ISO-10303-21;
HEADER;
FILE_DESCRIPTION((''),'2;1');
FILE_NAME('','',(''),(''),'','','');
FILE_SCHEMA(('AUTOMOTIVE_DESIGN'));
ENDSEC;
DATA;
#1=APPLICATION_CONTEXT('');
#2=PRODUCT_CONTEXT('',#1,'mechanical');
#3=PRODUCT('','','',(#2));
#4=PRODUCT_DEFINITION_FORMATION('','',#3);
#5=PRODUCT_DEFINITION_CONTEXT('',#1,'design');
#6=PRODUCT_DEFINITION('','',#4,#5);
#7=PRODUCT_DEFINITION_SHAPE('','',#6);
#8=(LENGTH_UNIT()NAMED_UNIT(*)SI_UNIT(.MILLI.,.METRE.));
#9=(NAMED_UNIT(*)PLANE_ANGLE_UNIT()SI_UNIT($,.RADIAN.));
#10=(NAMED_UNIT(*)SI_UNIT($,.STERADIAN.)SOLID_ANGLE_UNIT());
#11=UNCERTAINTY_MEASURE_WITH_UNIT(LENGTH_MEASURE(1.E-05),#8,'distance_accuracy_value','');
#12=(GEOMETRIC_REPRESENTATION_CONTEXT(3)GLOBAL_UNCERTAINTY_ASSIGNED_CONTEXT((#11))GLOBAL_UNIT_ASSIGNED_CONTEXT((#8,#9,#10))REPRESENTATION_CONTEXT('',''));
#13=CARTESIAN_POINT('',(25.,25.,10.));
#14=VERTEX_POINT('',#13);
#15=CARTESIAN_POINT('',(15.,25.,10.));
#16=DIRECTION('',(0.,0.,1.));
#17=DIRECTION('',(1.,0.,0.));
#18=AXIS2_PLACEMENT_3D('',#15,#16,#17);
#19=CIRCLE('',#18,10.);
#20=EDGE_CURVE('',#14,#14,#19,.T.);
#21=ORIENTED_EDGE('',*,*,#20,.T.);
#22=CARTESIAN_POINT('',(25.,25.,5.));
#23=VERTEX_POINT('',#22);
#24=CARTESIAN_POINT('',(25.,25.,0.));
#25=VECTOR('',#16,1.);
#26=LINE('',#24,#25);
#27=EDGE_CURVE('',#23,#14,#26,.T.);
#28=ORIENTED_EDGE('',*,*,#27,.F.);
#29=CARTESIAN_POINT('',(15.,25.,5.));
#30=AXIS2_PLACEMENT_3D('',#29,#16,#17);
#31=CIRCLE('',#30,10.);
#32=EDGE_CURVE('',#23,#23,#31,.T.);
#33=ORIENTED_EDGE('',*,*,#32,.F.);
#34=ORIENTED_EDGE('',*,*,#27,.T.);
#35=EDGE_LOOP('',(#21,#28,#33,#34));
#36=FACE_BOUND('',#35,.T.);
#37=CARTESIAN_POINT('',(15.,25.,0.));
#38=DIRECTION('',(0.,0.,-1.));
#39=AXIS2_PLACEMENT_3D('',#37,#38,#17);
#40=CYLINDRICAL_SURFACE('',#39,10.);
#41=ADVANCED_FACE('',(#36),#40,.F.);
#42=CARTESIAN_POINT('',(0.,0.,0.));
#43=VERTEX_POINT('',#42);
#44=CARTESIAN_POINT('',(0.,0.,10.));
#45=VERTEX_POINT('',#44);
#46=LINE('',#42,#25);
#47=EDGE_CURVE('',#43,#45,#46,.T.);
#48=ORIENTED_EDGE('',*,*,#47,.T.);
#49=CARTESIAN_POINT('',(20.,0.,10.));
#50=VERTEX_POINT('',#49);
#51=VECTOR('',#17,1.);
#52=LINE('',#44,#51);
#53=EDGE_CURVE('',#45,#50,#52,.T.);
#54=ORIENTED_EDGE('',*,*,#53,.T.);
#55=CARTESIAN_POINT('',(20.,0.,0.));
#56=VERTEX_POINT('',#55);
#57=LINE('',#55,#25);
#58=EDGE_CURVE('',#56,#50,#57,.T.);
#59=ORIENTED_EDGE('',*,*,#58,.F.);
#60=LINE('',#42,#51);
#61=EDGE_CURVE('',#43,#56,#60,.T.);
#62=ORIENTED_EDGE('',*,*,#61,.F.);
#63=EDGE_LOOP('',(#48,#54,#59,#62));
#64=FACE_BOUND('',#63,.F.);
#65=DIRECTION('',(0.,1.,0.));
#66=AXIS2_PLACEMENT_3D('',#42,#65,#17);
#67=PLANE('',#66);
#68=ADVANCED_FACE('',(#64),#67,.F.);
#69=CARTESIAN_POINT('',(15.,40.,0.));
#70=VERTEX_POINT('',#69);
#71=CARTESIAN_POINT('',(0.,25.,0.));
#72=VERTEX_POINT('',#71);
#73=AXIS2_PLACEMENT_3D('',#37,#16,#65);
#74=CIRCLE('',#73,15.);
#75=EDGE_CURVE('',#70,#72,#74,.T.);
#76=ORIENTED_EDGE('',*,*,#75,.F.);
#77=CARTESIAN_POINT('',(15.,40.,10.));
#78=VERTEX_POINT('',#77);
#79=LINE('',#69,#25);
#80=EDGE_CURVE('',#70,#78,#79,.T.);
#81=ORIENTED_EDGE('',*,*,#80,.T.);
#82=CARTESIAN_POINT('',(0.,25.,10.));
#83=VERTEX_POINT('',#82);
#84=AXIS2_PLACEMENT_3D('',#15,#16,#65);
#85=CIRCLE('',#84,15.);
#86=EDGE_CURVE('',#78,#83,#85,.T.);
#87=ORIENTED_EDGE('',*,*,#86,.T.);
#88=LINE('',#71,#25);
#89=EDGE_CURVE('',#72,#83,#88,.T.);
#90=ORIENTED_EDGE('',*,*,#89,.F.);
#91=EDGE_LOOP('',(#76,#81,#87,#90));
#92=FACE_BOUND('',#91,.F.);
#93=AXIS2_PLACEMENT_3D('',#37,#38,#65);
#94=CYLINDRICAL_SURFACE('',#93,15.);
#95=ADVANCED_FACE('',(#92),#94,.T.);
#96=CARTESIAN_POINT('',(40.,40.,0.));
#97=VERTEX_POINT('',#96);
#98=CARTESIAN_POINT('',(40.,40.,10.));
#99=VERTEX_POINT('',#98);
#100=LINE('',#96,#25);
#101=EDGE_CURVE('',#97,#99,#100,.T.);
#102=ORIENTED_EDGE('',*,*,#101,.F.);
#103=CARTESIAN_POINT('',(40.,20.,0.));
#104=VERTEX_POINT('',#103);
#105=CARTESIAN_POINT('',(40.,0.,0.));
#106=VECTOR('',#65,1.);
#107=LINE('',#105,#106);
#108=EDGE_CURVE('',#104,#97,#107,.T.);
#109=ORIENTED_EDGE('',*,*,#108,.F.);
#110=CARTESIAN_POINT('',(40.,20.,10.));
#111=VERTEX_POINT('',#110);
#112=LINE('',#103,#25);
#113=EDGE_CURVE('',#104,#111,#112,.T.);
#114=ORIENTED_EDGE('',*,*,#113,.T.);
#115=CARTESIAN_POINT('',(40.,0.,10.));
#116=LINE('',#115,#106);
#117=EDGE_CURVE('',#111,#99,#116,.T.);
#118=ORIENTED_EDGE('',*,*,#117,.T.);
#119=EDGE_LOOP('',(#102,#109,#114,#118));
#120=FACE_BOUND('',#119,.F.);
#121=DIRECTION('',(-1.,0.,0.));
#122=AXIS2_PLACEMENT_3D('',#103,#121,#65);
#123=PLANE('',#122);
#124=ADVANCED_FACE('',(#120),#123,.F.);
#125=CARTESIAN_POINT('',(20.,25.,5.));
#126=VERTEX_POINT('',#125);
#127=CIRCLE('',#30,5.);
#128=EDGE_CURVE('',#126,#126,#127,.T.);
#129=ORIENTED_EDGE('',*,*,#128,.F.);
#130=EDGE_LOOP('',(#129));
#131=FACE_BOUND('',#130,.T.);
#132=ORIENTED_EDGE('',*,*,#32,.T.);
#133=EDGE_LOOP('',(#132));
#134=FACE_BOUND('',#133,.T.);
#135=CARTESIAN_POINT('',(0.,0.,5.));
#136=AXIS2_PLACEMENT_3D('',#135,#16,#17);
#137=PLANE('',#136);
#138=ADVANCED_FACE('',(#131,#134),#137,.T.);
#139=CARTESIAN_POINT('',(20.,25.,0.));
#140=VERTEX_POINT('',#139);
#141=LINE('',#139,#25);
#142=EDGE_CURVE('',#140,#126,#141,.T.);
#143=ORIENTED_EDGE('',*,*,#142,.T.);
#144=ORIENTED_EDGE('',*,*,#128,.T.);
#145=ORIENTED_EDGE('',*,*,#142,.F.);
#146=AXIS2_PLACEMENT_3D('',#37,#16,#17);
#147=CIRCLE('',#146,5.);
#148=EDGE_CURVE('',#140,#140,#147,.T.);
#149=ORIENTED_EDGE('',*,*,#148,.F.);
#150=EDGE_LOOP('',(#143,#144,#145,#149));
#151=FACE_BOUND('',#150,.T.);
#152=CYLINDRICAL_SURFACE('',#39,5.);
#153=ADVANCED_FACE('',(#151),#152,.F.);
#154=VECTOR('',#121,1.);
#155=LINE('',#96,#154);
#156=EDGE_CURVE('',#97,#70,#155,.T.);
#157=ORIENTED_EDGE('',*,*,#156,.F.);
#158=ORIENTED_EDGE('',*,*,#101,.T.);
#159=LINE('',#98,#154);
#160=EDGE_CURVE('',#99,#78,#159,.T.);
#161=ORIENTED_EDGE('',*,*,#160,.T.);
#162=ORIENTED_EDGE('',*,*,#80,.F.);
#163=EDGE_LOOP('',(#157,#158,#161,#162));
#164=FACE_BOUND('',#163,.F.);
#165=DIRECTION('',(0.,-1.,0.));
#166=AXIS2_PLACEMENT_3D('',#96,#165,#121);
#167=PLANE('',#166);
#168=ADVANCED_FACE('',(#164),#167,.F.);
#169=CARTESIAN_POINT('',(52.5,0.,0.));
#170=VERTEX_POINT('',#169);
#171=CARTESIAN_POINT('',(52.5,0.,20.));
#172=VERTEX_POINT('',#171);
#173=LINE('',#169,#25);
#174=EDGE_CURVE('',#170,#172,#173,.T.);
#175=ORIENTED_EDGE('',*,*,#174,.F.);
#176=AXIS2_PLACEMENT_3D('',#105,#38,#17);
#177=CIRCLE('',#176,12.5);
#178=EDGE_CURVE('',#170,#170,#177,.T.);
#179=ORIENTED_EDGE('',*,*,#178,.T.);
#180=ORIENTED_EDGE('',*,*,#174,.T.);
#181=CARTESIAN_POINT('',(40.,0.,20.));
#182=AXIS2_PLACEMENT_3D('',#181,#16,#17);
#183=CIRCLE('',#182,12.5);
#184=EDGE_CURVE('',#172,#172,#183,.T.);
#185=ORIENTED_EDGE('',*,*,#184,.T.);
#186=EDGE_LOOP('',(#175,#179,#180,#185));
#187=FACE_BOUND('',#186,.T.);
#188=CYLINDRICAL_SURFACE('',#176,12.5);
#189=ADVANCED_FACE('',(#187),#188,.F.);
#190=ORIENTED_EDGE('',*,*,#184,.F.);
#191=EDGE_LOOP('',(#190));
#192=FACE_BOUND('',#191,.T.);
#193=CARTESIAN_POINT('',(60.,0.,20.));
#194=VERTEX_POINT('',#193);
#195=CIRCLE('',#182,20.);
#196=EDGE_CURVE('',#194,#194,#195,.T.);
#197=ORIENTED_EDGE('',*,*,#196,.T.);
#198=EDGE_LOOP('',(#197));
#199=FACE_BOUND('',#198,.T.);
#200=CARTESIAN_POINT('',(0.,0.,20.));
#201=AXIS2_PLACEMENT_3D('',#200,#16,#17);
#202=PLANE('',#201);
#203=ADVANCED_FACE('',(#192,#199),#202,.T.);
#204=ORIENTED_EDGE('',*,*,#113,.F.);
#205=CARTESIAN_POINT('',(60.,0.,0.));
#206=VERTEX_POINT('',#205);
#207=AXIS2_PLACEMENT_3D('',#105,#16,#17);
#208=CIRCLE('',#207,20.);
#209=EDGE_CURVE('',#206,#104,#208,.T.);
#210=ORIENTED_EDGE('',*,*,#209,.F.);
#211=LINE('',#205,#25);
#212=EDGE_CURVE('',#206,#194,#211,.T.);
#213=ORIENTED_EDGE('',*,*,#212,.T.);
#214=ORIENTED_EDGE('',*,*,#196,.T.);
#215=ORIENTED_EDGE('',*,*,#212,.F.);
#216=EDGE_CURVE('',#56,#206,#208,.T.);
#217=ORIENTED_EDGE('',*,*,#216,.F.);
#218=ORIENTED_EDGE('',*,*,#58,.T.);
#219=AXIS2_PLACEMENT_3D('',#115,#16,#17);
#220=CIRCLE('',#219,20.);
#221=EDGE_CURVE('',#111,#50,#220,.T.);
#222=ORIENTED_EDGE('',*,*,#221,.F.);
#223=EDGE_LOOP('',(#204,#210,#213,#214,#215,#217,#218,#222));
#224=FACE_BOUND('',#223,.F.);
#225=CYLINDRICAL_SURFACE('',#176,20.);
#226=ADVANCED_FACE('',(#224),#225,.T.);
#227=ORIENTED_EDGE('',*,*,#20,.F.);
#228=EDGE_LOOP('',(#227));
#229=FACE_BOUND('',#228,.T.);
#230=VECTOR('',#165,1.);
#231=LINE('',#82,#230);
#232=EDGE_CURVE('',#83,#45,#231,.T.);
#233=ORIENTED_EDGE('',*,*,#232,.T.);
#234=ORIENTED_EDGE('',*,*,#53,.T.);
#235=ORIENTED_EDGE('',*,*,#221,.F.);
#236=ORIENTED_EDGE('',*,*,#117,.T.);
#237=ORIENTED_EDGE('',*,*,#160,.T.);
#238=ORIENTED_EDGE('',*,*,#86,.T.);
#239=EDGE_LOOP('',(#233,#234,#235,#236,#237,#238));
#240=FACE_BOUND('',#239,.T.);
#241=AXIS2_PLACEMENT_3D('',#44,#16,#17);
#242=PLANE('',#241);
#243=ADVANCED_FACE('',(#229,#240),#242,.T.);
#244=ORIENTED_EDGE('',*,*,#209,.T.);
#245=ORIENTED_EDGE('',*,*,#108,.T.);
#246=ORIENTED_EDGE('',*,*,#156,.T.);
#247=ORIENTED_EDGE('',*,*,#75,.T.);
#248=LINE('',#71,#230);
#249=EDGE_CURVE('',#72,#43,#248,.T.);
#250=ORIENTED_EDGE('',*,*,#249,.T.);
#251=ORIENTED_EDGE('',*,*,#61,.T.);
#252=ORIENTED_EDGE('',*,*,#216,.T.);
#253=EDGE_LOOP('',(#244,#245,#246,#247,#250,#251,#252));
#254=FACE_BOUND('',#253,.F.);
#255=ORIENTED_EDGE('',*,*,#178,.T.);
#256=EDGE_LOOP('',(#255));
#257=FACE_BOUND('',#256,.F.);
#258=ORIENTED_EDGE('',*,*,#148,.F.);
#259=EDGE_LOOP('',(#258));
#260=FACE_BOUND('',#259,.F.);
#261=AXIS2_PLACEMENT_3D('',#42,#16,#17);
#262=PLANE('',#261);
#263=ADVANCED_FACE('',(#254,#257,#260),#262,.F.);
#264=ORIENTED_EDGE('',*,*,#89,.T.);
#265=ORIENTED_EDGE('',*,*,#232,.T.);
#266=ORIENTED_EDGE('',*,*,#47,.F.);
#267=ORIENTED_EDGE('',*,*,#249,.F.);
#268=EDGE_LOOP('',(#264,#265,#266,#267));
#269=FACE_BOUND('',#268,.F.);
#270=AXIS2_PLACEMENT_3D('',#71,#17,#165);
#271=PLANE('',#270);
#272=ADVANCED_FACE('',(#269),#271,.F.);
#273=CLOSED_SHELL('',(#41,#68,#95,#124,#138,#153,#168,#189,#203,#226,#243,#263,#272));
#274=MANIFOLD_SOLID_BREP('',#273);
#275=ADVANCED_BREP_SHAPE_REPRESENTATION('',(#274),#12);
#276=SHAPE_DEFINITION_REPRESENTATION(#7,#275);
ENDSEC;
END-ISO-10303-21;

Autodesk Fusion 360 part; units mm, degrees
sketch "스케치1" plane through (0, 0, 0) normal (0, 0, 1) x (1, 0, 0)
  line L0 (0, 0) -> (40, 0)
  line L1 (40, 0) -> (40, 40)
  line L2 (40, 40) -> (15, 40)
  line L3 (0, 25) -> (0, 0)
  circle A0 centre (40, 0) radius 20
  circle A1 centre (40, 0) radius 12.5
  arc A2 (15, 40) -> (0, 25) centre (15, 25) ccw
  circle A3 centre (15, 25) radius 10
  circle A4 centre (15, 25) radius 5
  point P0 (0, 40)
  dimension "d1" = 40
  dimension "d2" = 40
  dimension "d3" = 40
  dimension "d4" = 25
  dimension "d5" = 15
  dimension "d6" = 20
  dimension "d7" = 10
extrude "돌출4" add sketch "스케치1" along normal blind 20 contours L0 L1 A0 A1 picked at (22.5745, -0.9936) makes body 1
extrude "돌출5" add sketch "스케치1" along normal blind 10 separate body contours L0 L1 L2 L3 A0 A2 makes body 2
extrude "돌출6" add sketch "스케치1" along normal blind 20 contours L0 L1 A0 A1 picked at (27.447, 12.1327) bodies 1 2
extrude "돌출7" add sketch "스케치1" along normal blind 5 contours A3 bodies 1
